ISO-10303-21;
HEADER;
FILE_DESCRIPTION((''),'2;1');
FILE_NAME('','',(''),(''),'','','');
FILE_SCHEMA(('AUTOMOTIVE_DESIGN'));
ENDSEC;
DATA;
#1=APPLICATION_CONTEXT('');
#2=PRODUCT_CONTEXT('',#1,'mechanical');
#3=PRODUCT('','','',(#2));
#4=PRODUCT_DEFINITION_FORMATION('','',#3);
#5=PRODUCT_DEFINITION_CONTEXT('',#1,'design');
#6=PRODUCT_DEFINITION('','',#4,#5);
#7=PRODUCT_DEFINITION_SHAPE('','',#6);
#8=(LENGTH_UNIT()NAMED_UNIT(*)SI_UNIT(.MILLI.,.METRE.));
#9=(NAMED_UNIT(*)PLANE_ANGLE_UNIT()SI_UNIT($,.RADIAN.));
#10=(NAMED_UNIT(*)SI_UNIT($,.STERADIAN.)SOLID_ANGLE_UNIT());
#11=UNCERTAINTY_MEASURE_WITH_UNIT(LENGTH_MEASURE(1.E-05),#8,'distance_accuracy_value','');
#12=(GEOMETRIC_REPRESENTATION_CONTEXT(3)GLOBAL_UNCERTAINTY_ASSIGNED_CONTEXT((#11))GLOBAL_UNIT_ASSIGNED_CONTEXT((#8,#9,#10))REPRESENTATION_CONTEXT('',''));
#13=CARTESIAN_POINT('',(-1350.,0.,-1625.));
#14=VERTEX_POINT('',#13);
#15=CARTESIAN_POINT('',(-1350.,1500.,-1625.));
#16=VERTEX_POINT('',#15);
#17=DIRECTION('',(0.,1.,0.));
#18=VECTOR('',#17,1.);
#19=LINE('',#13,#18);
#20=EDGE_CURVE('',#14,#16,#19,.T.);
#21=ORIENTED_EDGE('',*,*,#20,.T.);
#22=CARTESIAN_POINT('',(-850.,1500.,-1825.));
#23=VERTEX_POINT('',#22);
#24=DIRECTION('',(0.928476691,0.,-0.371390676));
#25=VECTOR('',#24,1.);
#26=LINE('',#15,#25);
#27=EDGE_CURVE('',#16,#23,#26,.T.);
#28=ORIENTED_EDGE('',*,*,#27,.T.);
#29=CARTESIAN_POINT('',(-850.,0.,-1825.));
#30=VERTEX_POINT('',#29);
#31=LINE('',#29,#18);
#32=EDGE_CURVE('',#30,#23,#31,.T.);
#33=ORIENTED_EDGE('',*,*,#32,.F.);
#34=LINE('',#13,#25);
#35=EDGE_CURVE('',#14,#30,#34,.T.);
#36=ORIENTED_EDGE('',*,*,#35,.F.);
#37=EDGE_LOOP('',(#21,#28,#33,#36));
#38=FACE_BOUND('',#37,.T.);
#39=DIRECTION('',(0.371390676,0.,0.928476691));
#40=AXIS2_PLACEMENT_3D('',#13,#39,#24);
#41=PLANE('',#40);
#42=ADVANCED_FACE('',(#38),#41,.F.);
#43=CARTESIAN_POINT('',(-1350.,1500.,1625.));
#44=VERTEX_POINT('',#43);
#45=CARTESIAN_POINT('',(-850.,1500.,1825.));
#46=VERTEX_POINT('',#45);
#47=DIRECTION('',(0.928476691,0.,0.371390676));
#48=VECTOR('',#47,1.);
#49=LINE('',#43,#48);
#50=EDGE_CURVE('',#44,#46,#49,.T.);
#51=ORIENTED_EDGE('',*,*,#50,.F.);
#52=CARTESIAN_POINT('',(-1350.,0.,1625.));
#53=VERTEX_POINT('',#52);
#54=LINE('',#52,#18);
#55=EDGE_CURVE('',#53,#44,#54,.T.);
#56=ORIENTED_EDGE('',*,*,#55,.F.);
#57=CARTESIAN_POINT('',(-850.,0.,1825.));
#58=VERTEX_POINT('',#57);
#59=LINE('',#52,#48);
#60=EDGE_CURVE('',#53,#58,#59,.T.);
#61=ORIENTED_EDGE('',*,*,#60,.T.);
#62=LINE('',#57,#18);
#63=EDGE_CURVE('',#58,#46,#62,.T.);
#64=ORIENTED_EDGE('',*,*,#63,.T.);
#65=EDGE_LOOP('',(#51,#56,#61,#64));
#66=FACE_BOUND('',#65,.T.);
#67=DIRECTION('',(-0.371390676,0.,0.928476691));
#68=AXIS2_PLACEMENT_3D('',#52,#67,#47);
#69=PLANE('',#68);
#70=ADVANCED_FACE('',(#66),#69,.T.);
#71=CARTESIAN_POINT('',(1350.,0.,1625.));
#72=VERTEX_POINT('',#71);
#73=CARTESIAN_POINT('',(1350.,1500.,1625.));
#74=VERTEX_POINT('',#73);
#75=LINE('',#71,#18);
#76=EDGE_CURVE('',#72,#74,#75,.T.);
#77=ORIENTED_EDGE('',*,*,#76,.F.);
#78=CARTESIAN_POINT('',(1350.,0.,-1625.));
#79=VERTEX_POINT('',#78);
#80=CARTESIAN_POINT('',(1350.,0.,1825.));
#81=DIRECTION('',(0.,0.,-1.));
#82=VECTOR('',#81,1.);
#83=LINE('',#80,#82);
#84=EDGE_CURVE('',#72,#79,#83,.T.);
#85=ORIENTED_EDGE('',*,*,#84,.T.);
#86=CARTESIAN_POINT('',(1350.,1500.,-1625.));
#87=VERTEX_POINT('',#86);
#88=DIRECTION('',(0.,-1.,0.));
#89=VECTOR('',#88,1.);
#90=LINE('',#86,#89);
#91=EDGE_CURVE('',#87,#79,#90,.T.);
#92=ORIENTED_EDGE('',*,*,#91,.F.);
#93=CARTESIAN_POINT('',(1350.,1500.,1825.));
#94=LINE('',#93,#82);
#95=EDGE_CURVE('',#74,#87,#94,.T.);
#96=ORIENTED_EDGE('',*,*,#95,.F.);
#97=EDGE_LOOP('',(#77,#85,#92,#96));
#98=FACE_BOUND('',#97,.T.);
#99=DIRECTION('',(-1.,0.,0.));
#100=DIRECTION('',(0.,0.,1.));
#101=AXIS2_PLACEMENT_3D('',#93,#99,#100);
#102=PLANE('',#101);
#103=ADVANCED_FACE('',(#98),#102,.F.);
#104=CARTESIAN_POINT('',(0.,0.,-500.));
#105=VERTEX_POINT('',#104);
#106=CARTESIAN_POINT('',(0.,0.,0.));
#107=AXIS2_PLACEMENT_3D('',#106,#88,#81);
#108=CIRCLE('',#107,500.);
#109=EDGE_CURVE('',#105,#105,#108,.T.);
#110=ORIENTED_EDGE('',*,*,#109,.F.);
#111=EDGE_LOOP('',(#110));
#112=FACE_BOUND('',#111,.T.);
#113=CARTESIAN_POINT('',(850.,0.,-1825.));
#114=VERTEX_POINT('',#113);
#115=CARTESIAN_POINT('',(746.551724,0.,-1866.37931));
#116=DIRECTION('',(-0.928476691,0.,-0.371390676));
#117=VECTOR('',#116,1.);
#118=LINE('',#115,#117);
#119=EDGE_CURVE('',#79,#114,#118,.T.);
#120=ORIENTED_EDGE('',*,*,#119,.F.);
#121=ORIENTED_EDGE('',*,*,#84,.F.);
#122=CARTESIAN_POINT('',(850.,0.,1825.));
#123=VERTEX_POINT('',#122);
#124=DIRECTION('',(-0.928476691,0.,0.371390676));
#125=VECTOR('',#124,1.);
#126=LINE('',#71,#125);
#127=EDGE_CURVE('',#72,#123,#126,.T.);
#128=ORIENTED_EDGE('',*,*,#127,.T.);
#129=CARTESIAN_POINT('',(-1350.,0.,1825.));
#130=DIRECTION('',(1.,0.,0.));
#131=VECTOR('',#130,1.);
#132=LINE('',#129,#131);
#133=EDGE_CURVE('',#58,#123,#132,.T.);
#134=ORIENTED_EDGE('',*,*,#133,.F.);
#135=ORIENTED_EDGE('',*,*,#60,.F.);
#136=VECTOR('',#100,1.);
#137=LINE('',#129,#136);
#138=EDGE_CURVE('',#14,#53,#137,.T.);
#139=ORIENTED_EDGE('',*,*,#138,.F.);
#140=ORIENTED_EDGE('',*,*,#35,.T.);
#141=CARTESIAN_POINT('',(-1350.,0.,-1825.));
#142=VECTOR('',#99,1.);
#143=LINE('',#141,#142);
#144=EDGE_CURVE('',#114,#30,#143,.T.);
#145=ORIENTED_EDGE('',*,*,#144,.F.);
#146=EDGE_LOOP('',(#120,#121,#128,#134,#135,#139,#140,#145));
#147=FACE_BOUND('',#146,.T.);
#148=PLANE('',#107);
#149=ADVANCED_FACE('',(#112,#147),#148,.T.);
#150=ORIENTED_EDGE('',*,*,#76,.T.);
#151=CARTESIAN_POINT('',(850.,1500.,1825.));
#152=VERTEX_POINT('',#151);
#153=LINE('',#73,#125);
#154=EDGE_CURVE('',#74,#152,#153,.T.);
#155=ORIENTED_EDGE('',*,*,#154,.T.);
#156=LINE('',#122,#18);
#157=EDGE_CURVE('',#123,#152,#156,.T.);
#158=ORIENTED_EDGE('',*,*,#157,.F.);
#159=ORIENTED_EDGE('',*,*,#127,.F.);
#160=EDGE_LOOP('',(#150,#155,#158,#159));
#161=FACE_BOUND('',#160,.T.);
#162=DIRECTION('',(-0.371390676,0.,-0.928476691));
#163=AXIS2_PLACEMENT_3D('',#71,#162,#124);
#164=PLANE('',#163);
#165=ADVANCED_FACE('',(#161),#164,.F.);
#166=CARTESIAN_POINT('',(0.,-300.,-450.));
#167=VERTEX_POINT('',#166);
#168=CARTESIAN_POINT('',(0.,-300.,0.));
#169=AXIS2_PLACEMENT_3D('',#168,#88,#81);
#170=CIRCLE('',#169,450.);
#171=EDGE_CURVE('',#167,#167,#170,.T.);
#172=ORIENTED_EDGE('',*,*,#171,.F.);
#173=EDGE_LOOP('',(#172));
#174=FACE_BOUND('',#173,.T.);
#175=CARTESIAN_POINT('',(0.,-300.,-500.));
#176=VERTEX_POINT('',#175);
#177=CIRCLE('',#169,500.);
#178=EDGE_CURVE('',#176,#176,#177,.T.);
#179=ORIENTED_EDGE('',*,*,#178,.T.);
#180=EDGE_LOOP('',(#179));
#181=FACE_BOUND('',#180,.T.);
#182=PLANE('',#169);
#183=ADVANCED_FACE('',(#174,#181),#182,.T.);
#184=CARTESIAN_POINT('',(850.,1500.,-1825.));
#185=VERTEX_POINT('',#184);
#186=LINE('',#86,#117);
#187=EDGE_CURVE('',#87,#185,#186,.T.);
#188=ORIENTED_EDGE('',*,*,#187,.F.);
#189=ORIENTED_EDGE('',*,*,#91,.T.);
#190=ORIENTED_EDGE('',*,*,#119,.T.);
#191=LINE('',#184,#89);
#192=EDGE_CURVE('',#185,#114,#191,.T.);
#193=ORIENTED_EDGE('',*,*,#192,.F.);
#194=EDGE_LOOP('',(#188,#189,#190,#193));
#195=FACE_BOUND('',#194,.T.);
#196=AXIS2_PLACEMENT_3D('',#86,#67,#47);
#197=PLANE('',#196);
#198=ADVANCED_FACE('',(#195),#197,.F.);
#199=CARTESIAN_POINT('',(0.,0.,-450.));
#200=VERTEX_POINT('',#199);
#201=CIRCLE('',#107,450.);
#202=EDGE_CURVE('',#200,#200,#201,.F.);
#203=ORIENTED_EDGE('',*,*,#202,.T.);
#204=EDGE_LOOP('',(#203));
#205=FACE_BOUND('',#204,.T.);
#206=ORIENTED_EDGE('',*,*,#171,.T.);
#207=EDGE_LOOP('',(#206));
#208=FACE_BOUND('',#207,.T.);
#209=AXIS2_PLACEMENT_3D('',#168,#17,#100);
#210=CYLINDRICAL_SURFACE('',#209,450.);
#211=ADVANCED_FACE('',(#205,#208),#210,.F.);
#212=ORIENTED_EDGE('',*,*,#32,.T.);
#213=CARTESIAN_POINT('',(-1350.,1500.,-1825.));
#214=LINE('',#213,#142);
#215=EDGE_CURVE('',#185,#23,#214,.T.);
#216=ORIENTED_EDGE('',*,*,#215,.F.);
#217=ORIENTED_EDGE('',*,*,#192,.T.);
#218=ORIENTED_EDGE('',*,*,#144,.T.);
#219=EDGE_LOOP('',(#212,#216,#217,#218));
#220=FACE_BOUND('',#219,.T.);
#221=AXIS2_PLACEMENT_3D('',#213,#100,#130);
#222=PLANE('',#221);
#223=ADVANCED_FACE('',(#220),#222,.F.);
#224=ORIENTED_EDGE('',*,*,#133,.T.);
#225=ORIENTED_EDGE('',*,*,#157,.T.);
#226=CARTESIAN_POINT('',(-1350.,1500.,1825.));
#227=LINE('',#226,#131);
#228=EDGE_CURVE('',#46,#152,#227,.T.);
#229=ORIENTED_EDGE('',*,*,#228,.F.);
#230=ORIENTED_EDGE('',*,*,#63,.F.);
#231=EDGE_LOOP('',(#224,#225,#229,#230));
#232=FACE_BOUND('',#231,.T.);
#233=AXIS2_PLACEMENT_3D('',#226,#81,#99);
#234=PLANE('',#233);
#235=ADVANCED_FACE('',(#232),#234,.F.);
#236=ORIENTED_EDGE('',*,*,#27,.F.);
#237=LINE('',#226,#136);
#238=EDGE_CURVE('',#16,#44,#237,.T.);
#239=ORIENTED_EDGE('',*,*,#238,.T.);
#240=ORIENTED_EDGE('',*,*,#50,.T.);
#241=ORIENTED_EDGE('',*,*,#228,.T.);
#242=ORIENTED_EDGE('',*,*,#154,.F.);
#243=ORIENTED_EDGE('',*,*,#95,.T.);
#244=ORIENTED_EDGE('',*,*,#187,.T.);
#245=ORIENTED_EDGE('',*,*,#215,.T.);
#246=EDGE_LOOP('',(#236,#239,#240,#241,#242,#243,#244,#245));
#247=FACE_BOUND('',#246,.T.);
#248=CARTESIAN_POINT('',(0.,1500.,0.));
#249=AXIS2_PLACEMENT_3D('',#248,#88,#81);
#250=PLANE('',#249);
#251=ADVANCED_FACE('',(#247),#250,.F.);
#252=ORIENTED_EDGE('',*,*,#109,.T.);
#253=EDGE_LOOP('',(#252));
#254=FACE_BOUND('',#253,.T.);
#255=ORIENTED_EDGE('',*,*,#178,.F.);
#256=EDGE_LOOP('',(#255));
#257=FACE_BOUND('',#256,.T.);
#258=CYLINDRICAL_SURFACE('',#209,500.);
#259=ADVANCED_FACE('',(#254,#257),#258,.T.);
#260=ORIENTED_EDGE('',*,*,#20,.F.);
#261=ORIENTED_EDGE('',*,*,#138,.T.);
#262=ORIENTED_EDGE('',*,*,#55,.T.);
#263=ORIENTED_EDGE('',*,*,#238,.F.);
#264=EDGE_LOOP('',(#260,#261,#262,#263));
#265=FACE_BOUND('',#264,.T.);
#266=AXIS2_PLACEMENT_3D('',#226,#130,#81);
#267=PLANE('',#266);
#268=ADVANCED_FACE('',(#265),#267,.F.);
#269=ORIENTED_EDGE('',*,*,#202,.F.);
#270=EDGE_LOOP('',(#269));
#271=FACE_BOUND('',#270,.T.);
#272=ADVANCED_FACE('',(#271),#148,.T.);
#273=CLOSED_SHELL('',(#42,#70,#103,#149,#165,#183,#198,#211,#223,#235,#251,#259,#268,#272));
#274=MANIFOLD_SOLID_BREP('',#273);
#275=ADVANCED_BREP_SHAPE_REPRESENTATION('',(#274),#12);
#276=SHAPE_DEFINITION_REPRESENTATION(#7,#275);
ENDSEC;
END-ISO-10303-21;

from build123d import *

# Parameters (mm, degrees)
SCHIZZO2_W                   = 2700
SCHIZZO2_H                   = 3650
ESTRUSIONE_ESTRUSIONE1_DEPTH = 1500
TAGLIO_ESTRUSIONE1_DEPTH     = 2721.868427543
SPECCHIA2_COPY_1_DEPTH       = 2721.868427543
SPECCHIA2_COPY_2_DEPTH       = 2721.868427543
SPECCHIA2_COPY_3_DEPTH       = 2721.868427543
SCHIZZO5_R                   = 500
SCHIZZO5_R_2                 = 450
ESTRUSIONE_ESTRUSIONE3_DEPTH = 300


with BuildPart() as part:
    # Schizzo2 → Estrusione-Estrusione1 (new body)
    with BuildSketch(Plane(origin=(0, 0, 0), x_dir=(1, 0, 0), z_dir=(0, 1, 0))):
        Rectangle(SCHIZZO2_W, SCHIZZO2_H)
    extrude(amount=ESTRUSIONE_ESTRUSIONE1_DEPTH)

    # Schizzo3 → Taglio-Estrusione1 (cut, through all)
    with BuildSketch(Plane(origin=(0, 1500, 0), x_dir=(1, 0, 0), z_dir=(0, 1, 0))):
        Polygon((-1350, 1825), (-1350, 1625), (-850, 1825), align=None)
    taglio_estrusione1 = extrude(amount=-TAGLIO_ESTRUSIONE1_DEPTH, mode=Mode.SUBTRACT)

    # Specchia1: Taglio-Estrusione1 across plane
    add(taglio_estrusione1.mirror(Plane.XY), mode=Mode.SUBTRACT)

    # Specchia1 at the second plane: Taglio-Estrusione1 across plane
    add(taglio_estrusione1.mirror(Plane.ZX), mode=Mode.SUBTRACT)

    # Specchia2 copy 1 sketch → Specchia2 copy 1 (cut, through all)
    with BuildSketch(Plane(origin=(0, 1500, 0), x_dir=(-1, 0, 0), z_dir=(0, 1, 0))):
        Polygon((-1350, 1825), (-1350, 1625), (-850, 1825), align=None)
    extrude(amount=-SPECCHIA2_COPY_1_DEPTH, mode=Mode.SUBTRACT)

    # Specchia2 copy 2 sketch → Specchia2 copy 2 (cut, through all)
    with BuildSketch(Plane(origin=(0, -1500, 0), x_dir=(-1, 0, 0), z_dir=(0, -1, 0))):
        Polygon((-1350, 1825), (-1350, 1625), (-850, 1825), align=None)
    extrude(amount=-SPECCHIA2_COPY_2_DEPTH, mode=Mode.SUBTRACT)

    # Specchia2 copy 3 sketch → Specchia2 copy 3 (cut, through all)
    with BuildSketch(Plane(origin=(0, 1500, 0), x_dir=(-1, 0, 0), z_dir=(0, 1, 0))):
        Polygon((-1350, -1825), (-1350, -1625), (-850, -1825), align=None)
    extrude(amount=-SPECCHIA2_COPY_3_DEPTH, mode=Mode.SUBTRACT)

    # Schizzo5 → Estrusione-Estrusione3 (add)
    with BuildSketch(Plane.XZ):
        with Locations(Location((0, 0, 0), (0, 0, 270))):
            Circle(SCHIZZO5_R)
        with Locations(Location((0, 0, 0), (0, 0, 270))):
            Circle(SCHIZZO5_R_2, mode=Mode.SUBTRACT)
    extrude(amount=ESTRUSIONE_ESTRUSIONE3_DEPTH)


solid = part.part
